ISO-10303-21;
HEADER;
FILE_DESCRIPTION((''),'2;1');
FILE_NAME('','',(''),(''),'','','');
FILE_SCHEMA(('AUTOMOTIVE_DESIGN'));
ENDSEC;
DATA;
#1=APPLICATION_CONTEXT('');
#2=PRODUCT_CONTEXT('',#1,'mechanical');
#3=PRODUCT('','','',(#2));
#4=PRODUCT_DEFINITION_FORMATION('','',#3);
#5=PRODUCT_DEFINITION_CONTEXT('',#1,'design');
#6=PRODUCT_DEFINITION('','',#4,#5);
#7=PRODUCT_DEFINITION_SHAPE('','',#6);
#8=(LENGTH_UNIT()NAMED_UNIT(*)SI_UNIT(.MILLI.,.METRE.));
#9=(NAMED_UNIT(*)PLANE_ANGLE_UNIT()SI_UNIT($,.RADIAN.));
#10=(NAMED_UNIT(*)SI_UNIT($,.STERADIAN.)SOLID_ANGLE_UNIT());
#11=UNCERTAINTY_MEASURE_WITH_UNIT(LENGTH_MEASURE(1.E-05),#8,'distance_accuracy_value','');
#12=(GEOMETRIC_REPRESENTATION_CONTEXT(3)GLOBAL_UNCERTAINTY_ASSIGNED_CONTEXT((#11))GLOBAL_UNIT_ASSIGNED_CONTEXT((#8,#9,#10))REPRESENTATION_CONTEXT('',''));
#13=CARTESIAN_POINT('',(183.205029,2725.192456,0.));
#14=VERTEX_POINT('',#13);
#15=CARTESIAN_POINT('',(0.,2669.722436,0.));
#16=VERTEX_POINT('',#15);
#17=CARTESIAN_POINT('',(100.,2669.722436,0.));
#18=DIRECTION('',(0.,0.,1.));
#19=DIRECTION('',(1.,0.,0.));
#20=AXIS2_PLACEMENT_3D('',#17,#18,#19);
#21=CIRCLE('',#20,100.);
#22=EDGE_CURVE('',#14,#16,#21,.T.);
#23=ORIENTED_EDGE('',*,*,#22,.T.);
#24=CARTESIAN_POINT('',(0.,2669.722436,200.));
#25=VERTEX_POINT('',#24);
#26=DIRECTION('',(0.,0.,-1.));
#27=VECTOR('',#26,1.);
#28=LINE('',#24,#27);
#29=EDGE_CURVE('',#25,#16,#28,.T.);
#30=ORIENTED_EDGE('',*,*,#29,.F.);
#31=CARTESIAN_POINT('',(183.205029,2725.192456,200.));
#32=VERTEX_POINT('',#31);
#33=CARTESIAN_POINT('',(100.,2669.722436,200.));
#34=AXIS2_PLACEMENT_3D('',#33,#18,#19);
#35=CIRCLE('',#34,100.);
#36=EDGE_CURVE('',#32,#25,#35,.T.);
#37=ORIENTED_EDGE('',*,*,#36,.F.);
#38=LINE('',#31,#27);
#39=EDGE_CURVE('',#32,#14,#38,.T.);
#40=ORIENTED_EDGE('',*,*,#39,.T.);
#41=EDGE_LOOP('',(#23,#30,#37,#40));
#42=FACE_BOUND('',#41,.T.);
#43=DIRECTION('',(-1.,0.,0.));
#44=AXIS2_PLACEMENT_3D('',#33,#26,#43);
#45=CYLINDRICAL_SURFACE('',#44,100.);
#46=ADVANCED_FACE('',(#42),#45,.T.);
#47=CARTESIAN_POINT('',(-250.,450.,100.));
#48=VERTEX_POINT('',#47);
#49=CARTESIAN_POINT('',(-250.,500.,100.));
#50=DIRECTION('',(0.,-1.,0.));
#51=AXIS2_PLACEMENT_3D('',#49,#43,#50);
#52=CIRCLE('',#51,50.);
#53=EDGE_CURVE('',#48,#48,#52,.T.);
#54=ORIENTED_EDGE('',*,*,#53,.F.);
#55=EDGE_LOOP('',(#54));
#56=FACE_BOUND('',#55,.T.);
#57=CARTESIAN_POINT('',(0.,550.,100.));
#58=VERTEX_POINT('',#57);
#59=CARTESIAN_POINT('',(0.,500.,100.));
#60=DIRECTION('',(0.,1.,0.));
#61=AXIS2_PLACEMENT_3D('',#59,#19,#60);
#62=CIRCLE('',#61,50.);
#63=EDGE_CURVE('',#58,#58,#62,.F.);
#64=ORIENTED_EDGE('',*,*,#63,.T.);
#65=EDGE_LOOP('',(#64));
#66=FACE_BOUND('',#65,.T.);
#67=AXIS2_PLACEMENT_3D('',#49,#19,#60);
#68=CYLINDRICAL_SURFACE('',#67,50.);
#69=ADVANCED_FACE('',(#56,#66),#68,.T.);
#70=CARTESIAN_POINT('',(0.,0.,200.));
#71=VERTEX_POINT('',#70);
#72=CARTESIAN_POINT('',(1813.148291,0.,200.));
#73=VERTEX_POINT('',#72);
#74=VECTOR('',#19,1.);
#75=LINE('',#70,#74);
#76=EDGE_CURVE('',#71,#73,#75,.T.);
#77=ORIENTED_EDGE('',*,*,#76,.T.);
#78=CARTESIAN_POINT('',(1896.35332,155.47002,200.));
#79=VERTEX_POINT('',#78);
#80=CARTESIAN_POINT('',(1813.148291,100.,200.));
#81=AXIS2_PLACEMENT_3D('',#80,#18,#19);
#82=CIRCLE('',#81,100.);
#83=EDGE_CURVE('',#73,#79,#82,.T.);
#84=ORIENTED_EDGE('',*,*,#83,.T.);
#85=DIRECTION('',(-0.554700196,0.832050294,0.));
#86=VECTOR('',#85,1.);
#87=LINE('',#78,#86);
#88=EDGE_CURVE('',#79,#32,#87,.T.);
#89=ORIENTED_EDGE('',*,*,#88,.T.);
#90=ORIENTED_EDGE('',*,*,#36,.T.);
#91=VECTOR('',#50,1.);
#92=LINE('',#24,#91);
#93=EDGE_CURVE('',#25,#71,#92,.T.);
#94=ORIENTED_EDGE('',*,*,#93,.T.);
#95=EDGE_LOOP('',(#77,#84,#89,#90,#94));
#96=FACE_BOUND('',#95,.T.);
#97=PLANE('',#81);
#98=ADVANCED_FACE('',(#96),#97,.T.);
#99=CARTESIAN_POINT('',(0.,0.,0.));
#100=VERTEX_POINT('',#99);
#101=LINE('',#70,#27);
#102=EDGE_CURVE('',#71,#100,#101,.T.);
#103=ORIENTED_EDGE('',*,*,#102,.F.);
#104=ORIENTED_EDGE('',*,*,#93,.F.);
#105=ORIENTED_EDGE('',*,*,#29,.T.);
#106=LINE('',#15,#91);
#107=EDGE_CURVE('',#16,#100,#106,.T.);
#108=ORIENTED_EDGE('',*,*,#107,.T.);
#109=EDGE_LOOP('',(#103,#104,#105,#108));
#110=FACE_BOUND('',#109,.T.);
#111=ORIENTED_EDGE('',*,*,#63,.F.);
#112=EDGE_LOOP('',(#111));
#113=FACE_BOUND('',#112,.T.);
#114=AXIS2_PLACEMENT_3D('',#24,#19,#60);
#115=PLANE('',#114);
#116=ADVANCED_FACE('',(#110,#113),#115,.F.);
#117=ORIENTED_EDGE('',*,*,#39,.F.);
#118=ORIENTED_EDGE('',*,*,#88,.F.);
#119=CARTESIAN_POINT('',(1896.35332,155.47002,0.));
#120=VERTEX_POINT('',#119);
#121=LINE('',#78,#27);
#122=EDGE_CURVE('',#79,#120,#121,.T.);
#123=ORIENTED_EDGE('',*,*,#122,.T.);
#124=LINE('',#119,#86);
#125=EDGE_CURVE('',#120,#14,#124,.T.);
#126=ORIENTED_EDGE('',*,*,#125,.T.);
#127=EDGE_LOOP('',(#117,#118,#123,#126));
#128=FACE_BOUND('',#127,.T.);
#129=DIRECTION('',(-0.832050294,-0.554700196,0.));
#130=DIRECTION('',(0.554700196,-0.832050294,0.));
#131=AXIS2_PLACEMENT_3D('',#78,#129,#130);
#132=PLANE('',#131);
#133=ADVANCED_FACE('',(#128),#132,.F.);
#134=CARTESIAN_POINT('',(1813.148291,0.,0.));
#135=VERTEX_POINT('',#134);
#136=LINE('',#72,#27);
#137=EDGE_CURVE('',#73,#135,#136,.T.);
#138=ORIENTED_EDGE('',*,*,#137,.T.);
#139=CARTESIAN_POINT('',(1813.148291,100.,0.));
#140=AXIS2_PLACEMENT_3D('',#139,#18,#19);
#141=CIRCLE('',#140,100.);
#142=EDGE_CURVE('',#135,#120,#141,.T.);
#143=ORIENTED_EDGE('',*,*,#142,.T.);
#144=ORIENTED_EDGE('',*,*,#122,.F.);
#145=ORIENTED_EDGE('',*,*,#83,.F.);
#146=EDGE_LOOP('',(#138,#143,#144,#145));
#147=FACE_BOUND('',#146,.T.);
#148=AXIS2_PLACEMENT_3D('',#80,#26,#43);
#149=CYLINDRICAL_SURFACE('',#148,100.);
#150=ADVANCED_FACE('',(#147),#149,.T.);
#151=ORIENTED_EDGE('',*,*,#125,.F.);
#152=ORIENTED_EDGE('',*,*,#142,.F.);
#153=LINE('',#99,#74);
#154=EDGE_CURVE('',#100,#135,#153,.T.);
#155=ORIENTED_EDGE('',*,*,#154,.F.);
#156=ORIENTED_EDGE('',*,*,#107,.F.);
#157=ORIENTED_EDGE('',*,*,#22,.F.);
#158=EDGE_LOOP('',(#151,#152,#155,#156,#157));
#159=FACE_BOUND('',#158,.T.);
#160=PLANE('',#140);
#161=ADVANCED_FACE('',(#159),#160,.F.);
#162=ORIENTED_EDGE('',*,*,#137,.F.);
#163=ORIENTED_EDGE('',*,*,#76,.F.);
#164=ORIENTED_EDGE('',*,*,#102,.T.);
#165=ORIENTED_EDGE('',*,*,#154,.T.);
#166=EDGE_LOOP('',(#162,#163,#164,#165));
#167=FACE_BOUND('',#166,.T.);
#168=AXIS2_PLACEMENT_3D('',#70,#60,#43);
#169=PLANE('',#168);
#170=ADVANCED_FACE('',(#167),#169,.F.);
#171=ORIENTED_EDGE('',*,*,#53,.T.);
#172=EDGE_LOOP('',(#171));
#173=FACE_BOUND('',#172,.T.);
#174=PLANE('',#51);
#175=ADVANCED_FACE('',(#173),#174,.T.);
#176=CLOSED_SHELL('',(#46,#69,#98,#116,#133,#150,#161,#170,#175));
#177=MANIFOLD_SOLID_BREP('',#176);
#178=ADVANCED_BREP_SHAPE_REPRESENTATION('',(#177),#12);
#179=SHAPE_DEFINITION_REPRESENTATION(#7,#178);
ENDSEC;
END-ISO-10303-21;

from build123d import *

# Parameters (mm, degrees)
BOSS_EXTRUDE1_DEPTH = 200
SKETCH2_R           = 50
BOSS_EXTRUDE2_DEPTH = 250


with BuildPart() as part:
    # Sketch1 → Boss-Extrude1 (new body)
    with BuildSketch(Plane.XY):
        with BuildLine():
            Line((0, 0), (1813.148290818, 0))
            ThreePointArc((1813.148290818, 0), (1901.315750695, 52.814207447), (1896.353320252, 155.470019623))
            Line((1896.353320252, 155.470019623), (183.205029434, 2725.192455849))
            ThreePointArc((183.205029434, 2725.192455849), (71.021585131, 2765.431638876), (0, 2669.722436227))
            Line((0, 2669.722436227), (0, 0))
        make_face()
    extrude(amount=BOSS_EXTRUDE1_DEPTH)

    # Sketch2 → Boss-Extrude2 (add)
    with BuildSketch(Plane.ZY):
        with Locations(Location((100, 500, 0), (0, 0, 90))):
            Circle(SKETCH2_R)
    extrude(amount=BOSS_EXTRUDE2_DEPTH)


solid = part.part
